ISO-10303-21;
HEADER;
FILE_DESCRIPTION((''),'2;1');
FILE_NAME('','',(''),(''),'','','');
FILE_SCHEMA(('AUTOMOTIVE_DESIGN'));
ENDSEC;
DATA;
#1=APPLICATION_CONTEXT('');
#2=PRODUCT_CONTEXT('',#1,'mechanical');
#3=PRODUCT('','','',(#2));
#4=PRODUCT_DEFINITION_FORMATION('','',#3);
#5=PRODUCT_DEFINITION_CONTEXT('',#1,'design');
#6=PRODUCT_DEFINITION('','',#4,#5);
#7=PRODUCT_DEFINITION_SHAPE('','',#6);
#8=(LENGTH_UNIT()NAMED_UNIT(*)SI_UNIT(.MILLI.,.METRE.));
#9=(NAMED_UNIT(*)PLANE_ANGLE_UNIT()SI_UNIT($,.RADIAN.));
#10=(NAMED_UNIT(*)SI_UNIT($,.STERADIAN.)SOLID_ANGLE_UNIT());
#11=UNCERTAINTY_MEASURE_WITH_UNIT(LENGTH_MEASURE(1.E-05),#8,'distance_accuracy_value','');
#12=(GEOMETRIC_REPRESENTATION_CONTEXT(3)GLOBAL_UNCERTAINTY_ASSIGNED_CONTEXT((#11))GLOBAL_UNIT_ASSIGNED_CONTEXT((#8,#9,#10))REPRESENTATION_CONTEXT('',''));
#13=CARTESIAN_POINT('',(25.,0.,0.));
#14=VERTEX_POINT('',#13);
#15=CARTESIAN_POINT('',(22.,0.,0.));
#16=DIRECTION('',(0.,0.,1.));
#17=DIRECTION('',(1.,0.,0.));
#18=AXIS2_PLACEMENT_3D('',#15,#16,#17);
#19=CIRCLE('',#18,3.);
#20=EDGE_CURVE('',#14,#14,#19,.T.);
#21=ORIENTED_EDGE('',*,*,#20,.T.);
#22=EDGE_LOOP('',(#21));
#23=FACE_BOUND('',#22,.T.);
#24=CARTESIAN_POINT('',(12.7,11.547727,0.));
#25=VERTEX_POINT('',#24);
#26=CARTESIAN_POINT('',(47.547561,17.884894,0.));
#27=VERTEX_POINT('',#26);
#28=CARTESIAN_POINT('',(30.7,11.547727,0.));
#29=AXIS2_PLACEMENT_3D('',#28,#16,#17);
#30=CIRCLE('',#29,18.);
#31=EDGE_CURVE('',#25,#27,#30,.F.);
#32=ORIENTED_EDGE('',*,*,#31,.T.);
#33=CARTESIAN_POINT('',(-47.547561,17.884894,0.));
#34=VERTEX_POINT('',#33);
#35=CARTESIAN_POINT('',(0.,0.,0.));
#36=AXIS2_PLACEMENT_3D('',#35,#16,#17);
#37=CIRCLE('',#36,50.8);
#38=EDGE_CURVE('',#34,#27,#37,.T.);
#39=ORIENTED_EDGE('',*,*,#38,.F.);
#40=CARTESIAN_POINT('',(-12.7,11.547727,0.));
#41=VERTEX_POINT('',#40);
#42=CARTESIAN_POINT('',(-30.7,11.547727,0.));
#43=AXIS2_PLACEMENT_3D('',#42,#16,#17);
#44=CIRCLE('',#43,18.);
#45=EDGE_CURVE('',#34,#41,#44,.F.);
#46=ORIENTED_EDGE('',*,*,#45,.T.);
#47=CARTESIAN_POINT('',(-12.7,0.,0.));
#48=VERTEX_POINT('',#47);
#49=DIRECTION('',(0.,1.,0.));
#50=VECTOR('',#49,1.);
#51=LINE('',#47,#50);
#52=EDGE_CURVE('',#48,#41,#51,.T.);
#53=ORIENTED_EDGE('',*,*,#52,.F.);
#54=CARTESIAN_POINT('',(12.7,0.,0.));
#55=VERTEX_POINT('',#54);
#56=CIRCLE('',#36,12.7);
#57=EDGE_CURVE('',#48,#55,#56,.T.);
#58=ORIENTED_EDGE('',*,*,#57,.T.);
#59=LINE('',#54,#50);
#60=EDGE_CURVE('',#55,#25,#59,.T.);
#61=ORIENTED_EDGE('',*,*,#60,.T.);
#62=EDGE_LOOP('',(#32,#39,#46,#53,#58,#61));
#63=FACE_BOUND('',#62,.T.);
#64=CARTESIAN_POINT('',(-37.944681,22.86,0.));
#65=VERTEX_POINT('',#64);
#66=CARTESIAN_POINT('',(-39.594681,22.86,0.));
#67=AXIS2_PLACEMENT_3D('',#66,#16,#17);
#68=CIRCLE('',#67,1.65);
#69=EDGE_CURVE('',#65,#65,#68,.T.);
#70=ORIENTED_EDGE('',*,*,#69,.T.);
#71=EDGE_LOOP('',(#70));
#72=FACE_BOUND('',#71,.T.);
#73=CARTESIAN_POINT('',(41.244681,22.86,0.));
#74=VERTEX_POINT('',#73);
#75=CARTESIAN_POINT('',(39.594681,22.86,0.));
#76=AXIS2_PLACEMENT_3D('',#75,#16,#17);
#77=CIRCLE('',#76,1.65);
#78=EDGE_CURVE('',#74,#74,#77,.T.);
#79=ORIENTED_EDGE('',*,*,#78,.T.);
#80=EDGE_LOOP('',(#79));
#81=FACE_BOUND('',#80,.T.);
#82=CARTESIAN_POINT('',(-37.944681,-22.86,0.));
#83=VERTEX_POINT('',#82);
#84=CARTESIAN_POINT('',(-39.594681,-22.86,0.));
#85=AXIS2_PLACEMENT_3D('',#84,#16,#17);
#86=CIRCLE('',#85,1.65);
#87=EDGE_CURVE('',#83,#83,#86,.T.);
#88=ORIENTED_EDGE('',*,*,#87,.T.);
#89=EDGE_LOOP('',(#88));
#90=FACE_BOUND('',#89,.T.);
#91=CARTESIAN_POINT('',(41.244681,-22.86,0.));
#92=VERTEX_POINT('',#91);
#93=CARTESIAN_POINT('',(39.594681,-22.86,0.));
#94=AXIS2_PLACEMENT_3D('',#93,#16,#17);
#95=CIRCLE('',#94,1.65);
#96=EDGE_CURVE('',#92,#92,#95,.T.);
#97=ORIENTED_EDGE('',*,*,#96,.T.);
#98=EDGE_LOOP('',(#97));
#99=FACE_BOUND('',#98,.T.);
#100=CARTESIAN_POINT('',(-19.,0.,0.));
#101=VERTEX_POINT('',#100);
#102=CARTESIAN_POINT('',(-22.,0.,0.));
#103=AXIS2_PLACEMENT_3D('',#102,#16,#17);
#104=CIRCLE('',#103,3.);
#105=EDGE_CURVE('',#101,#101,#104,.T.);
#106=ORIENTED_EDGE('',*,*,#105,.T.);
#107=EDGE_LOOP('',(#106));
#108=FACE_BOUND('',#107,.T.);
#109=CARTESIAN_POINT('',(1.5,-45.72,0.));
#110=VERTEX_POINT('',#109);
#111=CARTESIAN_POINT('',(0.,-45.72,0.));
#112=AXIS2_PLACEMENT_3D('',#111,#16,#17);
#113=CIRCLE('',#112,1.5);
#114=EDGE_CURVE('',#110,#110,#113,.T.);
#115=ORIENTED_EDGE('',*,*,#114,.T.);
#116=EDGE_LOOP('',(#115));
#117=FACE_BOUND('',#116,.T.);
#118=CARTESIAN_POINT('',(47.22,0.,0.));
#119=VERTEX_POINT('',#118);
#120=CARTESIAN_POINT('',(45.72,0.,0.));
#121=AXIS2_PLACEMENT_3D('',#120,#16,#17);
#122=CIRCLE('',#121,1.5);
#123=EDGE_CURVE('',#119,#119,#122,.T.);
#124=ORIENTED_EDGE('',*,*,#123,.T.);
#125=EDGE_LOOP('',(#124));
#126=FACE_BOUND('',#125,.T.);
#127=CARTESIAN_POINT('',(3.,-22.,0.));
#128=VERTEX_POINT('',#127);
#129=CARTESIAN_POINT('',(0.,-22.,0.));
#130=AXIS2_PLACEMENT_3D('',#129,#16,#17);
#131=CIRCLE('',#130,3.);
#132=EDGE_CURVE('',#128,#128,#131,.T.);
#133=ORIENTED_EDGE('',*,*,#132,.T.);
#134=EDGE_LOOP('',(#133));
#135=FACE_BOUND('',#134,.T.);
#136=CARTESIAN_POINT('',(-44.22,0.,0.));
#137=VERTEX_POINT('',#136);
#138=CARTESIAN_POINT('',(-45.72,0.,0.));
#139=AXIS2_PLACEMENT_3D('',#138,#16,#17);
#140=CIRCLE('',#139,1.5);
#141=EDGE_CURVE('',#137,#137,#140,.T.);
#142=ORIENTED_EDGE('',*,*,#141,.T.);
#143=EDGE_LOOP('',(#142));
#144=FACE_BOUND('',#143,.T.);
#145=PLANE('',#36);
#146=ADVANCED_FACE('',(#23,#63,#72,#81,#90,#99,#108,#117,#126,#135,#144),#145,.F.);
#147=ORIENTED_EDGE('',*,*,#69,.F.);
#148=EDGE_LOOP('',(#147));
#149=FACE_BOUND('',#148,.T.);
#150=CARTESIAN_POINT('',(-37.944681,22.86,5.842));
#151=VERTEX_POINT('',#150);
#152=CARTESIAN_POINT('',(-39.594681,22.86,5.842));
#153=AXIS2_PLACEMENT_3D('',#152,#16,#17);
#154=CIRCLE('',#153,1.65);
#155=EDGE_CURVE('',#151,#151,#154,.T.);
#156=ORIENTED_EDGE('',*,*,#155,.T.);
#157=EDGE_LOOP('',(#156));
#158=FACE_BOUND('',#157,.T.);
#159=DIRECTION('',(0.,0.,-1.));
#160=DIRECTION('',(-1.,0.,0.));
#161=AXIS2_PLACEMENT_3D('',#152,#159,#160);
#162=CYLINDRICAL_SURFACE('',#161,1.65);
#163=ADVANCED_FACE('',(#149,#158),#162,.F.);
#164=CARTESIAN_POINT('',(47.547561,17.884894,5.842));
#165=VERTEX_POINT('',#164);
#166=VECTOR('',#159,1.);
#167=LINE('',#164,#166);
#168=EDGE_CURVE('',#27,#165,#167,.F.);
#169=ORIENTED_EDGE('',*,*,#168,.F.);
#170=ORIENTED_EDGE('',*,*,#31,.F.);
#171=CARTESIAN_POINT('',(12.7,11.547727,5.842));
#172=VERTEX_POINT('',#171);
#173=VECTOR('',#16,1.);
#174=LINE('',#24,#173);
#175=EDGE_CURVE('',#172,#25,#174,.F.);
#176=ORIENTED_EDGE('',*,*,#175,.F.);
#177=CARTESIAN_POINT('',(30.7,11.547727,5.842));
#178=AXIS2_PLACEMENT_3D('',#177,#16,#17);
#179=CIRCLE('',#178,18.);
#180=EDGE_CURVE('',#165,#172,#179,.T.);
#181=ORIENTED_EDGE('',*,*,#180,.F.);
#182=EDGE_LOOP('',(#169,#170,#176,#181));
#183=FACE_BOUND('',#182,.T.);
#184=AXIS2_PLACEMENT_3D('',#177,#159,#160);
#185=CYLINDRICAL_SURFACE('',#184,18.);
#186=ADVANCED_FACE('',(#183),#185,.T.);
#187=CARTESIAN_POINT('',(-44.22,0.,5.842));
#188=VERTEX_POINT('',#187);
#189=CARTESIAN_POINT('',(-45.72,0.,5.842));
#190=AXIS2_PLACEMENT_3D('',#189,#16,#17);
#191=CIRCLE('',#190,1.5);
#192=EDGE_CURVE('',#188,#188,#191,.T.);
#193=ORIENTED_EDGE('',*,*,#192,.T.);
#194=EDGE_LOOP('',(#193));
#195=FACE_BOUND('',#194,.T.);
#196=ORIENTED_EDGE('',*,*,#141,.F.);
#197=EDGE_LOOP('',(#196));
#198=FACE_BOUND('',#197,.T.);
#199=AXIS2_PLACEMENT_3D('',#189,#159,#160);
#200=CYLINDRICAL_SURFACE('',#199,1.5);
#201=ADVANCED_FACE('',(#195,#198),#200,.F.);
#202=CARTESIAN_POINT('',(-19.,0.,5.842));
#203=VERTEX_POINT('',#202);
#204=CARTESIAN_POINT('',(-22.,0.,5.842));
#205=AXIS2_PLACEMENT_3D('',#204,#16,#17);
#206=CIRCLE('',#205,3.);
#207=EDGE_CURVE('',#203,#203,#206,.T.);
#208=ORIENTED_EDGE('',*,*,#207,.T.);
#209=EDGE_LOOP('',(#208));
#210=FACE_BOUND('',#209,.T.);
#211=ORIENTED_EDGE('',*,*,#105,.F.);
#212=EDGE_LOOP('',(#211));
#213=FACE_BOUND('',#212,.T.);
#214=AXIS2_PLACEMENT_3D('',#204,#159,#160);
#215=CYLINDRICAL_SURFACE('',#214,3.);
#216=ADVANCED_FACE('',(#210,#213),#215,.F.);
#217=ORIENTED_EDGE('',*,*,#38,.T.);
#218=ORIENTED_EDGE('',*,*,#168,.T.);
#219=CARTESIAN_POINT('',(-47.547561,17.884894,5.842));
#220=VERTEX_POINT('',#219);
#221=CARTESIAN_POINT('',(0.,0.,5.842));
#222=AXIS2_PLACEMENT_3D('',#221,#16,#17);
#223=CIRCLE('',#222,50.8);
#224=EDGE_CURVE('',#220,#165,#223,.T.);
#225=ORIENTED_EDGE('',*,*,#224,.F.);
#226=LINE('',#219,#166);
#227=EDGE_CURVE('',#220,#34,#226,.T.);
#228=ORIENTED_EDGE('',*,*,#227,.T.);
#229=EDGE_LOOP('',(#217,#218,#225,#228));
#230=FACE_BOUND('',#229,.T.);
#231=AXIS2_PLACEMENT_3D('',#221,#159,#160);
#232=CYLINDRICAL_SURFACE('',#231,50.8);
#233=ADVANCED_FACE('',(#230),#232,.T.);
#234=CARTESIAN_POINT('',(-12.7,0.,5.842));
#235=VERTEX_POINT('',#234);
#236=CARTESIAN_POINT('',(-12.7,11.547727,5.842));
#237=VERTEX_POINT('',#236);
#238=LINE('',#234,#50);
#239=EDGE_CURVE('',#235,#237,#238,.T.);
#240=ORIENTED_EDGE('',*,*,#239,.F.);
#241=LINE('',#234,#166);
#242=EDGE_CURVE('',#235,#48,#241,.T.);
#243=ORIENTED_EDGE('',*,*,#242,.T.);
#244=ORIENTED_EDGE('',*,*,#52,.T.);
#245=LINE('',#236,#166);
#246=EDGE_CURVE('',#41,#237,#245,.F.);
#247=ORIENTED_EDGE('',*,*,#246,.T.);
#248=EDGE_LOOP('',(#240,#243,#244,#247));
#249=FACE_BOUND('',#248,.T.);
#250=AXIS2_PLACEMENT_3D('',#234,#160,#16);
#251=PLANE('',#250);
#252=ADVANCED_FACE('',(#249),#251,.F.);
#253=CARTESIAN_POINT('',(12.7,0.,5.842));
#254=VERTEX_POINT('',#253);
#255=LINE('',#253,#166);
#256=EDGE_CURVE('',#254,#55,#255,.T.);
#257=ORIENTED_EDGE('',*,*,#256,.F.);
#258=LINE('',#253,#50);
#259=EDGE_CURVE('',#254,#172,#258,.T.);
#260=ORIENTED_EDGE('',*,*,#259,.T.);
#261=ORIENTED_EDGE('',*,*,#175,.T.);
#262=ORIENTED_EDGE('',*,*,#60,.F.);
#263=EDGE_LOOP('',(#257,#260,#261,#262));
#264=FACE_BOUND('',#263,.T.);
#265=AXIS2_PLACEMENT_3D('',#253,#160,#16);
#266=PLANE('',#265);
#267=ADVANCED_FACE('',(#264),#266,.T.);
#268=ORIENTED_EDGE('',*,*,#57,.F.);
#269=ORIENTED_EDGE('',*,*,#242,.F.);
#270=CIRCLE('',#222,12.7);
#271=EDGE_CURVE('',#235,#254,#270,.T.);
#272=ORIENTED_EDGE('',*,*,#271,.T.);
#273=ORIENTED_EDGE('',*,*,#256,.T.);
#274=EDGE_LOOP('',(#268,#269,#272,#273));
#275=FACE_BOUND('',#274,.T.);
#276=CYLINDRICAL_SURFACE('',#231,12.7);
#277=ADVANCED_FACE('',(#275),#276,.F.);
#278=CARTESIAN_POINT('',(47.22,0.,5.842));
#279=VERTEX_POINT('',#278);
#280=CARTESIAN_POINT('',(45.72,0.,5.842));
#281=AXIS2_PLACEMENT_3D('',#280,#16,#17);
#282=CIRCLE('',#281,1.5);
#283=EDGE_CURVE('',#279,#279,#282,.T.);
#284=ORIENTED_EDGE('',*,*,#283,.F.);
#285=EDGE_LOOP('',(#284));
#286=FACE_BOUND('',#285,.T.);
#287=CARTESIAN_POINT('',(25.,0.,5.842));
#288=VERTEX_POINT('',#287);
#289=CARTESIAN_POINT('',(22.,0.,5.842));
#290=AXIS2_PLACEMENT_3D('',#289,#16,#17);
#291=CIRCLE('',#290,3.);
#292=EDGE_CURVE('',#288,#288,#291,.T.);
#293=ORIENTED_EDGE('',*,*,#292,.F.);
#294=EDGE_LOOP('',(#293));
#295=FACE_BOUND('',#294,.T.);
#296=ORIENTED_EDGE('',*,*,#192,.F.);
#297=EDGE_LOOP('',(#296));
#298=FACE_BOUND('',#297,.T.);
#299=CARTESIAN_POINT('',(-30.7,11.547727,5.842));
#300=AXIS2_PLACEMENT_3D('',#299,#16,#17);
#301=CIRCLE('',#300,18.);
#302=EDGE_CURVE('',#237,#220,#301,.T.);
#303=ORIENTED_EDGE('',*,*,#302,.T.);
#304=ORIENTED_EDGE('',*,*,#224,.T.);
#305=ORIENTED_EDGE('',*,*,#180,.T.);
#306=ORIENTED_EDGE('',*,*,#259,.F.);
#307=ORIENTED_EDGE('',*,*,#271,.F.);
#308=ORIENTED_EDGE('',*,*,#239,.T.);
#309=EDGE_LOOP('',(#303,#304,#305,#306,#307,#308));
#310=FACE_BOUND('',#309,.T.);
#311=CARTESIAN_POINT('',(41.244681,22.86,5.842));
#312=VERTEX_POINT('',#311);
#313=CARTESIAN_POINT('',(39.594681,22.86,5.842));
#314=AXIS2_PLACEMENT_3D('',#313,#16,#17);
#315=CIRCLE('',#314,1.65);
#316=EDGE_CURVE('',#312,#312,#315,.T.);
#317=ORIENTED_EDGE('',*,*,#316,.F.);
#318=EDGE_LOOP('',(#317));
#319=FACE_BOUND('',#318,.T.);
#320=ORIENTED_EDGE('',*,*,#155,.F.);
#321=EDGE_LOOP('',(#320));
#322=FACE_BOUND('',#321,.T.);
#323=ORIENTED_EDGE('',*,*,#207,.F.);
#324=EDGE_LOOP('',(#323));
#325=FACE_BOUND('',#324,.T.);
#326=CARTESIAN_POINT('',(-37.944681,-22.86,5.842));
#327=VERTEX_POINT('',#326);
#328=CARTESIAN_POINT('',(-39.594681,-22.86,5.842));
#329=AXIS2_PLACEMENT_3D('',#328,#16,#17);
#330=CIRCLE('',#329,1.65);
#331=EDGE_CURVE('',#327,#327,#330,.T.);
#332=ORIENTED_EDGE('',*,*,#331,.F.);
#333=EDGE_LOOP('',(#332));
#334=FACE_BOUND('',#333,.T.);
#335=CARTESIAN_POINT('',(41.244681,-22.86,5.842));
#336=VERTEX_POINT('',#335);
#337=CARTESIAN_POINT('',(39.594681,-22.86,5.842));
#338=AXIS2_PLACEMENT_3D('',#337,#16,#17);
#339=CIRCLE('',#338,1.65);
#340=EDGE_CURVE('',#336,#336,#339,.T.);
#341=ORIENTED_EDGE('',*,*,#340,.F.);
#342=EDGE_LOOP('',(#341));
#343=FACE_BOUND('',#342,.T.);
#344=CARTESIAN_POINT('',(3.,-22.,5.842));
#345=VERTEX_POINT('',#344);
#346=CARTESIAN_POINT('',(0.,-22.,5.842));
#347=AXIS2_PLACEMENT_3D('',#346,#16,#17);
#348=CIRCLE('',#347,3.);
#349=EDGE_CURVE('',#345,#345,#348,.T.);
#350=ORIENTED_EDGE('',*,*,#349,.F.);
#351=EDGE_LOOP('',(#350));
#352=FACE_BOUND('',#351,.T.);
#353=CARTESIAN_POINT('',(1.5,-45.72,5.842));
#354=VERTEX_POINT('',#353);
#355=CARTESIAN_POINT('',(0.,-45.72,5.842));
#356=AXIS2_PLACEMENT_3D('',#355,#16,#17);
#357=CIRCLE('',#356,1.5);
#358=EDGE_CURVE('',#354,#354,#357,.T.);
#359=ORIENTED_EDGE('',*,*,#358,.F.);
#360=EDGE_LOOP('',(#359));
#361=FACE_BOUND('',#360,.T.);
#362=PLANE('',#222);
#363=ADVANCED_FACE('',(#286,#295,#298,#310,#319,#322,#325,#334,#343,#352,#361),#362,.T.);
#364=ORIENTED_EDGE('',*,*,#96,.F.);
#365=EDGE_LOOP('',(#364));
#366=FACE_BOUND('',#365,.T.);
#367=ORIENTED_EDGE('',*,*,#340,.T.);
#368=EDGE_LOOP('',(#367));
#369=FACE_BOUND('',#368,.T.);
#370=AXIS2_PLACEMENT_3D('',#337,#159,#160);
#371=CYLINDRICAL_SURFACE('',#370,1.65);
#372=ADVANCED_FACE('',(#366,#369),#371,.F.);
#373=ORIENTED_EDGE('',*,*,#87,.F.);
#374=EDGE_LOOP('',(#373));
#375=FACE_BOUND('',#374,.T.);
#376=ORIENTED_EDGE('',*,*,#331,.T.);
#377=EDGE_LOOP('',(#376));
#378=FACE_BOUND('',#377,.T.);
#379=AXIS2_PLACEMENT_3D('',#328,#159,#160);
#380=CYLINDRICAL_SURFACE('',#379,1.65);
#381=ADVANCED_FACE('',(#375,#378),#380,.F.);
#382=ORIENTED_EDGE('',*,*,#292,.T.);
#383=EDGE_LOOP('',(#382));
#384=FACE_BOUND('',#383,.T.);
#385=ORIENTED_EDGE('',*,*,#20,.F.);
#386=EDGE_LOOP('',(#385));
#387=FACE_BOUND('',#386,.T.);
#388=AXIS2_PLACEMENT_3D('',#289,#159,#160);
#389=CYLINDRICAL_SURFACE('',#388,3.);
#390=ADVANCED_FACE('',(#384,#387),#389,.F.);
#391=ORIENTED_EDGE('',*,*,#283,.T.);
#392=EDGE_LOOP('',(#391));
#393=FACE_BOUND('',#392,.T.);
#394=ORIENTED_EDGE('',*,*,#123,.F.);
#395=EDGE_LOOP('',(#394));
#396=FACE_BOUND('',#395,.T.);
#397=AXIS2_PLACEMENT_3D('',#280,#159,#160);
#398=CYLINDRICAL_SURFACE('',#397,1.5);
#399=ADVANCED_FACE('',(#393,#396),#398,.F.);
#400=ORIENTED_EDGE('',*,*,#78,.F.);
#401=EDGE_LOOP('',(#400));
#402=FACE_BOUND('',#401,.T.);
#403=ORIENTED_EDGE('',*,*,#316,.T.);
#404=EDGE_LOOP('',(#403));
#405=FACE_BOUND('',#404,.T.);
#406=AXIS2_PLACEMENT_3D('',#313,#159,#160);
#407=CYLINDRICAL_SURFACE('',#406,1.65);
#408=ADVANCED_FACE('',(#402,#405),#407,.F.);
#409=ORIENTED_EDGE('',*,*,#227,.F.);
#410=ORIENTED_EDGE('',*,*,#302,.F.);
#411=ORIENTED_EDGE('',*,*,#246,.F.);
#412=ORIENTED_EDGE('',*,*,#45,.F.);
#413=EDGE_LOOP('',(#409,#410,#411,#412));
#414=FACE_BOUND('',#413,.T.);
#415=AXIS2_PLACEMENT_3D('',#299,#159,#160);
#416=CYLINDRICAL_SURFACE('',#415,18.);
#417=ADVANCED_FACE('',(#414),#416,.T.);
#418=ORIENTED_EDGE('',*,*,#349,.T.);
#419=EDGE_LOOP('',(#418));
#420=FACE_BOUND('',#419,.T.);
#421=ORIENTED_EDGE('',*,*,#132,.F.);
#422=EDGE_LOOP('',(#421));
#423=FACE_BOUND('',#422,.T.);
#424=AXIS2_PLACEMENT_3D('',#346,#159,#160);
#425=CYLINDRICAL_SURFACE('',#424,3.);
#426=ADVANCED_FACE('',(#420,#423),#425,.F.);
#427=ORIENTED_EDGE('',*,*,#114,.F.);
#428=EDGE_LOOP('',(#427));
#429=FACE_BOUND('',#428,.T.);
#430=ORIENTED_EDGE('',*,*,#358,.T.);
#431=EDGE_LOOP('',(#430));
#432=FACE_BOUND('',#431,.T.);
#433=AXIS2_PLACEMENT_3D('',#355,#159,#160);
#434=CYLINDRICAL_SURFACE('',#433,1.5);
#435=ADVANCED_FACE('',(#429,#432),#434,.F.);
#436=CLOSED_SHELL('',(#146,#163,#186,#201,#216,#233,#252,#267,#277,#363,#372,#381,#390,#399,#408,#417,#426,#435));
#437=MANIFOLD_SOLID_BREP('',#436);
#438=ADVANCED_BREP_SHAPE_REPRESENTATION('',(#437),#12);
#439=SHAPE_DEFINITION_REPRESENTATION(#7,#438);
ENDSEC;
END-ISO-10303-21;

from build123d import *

# Parameters (mm, degrees)
SKETCH1_R           = 3
SKETCH1_R_2         = 1.5
SKETCH1_R_3         = 1.65
BOSS_EXTRUDE1_DEPTH = 5.842
FILLET1_R           = 18


with BuildPart() as part:
    # Sketch1 → Boss-Extrude1 (new body)
    with BuildSketch(Plane.XY):
        with BuildLine():
            Line((-12.7, 0), (-12.7, 49.186888497))
            ThreePointArc((-12.7, 49.186888497), (0, -50.8), (12.7, 49.186888497))
            Line((12.7, 49.186888497), (12.7, 0))
            ThreePointArc((12.7, 0), (0, -12.7), (-12.7, 0))
        make_face()
        with Locations((22, 0)):
            Circle(SKETCH1_R, mode=Mode.SUBTRACT)
        with Locations((0, -22)):
            Circle(SKETCH1_R, mode=Mode.SUBTRACT)
        with Locations((-22, 0)):
            Circle(SKETCH1_R, mode=Mode.SUBTRACT)
        with Locations((-45.72, 0)):
            Circle(SKETCH1_R_2, mode=Mode.SUBTRACT)
        with Locations((45.72, 0)):
            Circle(SKETCH1_R_2, mode=Mode.SUBTRACT)
        with Locations((0, -45.72)):
            Circle(SKETCH1_R_2, mode=Mode.SUBTRACT)
        with Locations((39.594681461, 22.86)):
            Circle(SKETCH1_R_3, mode=Mode.SUBTRACT)
        with Locations((39.594681461, -22.86)):
            Circle(SKETCH1_R_3, mode=Mode.SUBTRACT)
        with Locations((-39.594681461, -22.86)):
            Circle(SKETCH1_R_3, mode=Mode.SUBTRACT)
        with Locations((-39.594681461, 22.86)):
            Circle(SKETCH1_R_3, mode=Mode.SUBTRACT)
    extrude(amount=BOSS_EXTRUDE1_DEPTH)

    # Fillet1
    fillet1_edges = [part.edges().sort_by_distance(p)[0] for p in [
        (12.7, 49.186888497, 2.921),
        (-12.7, 49.186888497, 2.921),
    ]]
    fillet(fillet1_edges, radius=FILLET1_R)


solid = part.part
